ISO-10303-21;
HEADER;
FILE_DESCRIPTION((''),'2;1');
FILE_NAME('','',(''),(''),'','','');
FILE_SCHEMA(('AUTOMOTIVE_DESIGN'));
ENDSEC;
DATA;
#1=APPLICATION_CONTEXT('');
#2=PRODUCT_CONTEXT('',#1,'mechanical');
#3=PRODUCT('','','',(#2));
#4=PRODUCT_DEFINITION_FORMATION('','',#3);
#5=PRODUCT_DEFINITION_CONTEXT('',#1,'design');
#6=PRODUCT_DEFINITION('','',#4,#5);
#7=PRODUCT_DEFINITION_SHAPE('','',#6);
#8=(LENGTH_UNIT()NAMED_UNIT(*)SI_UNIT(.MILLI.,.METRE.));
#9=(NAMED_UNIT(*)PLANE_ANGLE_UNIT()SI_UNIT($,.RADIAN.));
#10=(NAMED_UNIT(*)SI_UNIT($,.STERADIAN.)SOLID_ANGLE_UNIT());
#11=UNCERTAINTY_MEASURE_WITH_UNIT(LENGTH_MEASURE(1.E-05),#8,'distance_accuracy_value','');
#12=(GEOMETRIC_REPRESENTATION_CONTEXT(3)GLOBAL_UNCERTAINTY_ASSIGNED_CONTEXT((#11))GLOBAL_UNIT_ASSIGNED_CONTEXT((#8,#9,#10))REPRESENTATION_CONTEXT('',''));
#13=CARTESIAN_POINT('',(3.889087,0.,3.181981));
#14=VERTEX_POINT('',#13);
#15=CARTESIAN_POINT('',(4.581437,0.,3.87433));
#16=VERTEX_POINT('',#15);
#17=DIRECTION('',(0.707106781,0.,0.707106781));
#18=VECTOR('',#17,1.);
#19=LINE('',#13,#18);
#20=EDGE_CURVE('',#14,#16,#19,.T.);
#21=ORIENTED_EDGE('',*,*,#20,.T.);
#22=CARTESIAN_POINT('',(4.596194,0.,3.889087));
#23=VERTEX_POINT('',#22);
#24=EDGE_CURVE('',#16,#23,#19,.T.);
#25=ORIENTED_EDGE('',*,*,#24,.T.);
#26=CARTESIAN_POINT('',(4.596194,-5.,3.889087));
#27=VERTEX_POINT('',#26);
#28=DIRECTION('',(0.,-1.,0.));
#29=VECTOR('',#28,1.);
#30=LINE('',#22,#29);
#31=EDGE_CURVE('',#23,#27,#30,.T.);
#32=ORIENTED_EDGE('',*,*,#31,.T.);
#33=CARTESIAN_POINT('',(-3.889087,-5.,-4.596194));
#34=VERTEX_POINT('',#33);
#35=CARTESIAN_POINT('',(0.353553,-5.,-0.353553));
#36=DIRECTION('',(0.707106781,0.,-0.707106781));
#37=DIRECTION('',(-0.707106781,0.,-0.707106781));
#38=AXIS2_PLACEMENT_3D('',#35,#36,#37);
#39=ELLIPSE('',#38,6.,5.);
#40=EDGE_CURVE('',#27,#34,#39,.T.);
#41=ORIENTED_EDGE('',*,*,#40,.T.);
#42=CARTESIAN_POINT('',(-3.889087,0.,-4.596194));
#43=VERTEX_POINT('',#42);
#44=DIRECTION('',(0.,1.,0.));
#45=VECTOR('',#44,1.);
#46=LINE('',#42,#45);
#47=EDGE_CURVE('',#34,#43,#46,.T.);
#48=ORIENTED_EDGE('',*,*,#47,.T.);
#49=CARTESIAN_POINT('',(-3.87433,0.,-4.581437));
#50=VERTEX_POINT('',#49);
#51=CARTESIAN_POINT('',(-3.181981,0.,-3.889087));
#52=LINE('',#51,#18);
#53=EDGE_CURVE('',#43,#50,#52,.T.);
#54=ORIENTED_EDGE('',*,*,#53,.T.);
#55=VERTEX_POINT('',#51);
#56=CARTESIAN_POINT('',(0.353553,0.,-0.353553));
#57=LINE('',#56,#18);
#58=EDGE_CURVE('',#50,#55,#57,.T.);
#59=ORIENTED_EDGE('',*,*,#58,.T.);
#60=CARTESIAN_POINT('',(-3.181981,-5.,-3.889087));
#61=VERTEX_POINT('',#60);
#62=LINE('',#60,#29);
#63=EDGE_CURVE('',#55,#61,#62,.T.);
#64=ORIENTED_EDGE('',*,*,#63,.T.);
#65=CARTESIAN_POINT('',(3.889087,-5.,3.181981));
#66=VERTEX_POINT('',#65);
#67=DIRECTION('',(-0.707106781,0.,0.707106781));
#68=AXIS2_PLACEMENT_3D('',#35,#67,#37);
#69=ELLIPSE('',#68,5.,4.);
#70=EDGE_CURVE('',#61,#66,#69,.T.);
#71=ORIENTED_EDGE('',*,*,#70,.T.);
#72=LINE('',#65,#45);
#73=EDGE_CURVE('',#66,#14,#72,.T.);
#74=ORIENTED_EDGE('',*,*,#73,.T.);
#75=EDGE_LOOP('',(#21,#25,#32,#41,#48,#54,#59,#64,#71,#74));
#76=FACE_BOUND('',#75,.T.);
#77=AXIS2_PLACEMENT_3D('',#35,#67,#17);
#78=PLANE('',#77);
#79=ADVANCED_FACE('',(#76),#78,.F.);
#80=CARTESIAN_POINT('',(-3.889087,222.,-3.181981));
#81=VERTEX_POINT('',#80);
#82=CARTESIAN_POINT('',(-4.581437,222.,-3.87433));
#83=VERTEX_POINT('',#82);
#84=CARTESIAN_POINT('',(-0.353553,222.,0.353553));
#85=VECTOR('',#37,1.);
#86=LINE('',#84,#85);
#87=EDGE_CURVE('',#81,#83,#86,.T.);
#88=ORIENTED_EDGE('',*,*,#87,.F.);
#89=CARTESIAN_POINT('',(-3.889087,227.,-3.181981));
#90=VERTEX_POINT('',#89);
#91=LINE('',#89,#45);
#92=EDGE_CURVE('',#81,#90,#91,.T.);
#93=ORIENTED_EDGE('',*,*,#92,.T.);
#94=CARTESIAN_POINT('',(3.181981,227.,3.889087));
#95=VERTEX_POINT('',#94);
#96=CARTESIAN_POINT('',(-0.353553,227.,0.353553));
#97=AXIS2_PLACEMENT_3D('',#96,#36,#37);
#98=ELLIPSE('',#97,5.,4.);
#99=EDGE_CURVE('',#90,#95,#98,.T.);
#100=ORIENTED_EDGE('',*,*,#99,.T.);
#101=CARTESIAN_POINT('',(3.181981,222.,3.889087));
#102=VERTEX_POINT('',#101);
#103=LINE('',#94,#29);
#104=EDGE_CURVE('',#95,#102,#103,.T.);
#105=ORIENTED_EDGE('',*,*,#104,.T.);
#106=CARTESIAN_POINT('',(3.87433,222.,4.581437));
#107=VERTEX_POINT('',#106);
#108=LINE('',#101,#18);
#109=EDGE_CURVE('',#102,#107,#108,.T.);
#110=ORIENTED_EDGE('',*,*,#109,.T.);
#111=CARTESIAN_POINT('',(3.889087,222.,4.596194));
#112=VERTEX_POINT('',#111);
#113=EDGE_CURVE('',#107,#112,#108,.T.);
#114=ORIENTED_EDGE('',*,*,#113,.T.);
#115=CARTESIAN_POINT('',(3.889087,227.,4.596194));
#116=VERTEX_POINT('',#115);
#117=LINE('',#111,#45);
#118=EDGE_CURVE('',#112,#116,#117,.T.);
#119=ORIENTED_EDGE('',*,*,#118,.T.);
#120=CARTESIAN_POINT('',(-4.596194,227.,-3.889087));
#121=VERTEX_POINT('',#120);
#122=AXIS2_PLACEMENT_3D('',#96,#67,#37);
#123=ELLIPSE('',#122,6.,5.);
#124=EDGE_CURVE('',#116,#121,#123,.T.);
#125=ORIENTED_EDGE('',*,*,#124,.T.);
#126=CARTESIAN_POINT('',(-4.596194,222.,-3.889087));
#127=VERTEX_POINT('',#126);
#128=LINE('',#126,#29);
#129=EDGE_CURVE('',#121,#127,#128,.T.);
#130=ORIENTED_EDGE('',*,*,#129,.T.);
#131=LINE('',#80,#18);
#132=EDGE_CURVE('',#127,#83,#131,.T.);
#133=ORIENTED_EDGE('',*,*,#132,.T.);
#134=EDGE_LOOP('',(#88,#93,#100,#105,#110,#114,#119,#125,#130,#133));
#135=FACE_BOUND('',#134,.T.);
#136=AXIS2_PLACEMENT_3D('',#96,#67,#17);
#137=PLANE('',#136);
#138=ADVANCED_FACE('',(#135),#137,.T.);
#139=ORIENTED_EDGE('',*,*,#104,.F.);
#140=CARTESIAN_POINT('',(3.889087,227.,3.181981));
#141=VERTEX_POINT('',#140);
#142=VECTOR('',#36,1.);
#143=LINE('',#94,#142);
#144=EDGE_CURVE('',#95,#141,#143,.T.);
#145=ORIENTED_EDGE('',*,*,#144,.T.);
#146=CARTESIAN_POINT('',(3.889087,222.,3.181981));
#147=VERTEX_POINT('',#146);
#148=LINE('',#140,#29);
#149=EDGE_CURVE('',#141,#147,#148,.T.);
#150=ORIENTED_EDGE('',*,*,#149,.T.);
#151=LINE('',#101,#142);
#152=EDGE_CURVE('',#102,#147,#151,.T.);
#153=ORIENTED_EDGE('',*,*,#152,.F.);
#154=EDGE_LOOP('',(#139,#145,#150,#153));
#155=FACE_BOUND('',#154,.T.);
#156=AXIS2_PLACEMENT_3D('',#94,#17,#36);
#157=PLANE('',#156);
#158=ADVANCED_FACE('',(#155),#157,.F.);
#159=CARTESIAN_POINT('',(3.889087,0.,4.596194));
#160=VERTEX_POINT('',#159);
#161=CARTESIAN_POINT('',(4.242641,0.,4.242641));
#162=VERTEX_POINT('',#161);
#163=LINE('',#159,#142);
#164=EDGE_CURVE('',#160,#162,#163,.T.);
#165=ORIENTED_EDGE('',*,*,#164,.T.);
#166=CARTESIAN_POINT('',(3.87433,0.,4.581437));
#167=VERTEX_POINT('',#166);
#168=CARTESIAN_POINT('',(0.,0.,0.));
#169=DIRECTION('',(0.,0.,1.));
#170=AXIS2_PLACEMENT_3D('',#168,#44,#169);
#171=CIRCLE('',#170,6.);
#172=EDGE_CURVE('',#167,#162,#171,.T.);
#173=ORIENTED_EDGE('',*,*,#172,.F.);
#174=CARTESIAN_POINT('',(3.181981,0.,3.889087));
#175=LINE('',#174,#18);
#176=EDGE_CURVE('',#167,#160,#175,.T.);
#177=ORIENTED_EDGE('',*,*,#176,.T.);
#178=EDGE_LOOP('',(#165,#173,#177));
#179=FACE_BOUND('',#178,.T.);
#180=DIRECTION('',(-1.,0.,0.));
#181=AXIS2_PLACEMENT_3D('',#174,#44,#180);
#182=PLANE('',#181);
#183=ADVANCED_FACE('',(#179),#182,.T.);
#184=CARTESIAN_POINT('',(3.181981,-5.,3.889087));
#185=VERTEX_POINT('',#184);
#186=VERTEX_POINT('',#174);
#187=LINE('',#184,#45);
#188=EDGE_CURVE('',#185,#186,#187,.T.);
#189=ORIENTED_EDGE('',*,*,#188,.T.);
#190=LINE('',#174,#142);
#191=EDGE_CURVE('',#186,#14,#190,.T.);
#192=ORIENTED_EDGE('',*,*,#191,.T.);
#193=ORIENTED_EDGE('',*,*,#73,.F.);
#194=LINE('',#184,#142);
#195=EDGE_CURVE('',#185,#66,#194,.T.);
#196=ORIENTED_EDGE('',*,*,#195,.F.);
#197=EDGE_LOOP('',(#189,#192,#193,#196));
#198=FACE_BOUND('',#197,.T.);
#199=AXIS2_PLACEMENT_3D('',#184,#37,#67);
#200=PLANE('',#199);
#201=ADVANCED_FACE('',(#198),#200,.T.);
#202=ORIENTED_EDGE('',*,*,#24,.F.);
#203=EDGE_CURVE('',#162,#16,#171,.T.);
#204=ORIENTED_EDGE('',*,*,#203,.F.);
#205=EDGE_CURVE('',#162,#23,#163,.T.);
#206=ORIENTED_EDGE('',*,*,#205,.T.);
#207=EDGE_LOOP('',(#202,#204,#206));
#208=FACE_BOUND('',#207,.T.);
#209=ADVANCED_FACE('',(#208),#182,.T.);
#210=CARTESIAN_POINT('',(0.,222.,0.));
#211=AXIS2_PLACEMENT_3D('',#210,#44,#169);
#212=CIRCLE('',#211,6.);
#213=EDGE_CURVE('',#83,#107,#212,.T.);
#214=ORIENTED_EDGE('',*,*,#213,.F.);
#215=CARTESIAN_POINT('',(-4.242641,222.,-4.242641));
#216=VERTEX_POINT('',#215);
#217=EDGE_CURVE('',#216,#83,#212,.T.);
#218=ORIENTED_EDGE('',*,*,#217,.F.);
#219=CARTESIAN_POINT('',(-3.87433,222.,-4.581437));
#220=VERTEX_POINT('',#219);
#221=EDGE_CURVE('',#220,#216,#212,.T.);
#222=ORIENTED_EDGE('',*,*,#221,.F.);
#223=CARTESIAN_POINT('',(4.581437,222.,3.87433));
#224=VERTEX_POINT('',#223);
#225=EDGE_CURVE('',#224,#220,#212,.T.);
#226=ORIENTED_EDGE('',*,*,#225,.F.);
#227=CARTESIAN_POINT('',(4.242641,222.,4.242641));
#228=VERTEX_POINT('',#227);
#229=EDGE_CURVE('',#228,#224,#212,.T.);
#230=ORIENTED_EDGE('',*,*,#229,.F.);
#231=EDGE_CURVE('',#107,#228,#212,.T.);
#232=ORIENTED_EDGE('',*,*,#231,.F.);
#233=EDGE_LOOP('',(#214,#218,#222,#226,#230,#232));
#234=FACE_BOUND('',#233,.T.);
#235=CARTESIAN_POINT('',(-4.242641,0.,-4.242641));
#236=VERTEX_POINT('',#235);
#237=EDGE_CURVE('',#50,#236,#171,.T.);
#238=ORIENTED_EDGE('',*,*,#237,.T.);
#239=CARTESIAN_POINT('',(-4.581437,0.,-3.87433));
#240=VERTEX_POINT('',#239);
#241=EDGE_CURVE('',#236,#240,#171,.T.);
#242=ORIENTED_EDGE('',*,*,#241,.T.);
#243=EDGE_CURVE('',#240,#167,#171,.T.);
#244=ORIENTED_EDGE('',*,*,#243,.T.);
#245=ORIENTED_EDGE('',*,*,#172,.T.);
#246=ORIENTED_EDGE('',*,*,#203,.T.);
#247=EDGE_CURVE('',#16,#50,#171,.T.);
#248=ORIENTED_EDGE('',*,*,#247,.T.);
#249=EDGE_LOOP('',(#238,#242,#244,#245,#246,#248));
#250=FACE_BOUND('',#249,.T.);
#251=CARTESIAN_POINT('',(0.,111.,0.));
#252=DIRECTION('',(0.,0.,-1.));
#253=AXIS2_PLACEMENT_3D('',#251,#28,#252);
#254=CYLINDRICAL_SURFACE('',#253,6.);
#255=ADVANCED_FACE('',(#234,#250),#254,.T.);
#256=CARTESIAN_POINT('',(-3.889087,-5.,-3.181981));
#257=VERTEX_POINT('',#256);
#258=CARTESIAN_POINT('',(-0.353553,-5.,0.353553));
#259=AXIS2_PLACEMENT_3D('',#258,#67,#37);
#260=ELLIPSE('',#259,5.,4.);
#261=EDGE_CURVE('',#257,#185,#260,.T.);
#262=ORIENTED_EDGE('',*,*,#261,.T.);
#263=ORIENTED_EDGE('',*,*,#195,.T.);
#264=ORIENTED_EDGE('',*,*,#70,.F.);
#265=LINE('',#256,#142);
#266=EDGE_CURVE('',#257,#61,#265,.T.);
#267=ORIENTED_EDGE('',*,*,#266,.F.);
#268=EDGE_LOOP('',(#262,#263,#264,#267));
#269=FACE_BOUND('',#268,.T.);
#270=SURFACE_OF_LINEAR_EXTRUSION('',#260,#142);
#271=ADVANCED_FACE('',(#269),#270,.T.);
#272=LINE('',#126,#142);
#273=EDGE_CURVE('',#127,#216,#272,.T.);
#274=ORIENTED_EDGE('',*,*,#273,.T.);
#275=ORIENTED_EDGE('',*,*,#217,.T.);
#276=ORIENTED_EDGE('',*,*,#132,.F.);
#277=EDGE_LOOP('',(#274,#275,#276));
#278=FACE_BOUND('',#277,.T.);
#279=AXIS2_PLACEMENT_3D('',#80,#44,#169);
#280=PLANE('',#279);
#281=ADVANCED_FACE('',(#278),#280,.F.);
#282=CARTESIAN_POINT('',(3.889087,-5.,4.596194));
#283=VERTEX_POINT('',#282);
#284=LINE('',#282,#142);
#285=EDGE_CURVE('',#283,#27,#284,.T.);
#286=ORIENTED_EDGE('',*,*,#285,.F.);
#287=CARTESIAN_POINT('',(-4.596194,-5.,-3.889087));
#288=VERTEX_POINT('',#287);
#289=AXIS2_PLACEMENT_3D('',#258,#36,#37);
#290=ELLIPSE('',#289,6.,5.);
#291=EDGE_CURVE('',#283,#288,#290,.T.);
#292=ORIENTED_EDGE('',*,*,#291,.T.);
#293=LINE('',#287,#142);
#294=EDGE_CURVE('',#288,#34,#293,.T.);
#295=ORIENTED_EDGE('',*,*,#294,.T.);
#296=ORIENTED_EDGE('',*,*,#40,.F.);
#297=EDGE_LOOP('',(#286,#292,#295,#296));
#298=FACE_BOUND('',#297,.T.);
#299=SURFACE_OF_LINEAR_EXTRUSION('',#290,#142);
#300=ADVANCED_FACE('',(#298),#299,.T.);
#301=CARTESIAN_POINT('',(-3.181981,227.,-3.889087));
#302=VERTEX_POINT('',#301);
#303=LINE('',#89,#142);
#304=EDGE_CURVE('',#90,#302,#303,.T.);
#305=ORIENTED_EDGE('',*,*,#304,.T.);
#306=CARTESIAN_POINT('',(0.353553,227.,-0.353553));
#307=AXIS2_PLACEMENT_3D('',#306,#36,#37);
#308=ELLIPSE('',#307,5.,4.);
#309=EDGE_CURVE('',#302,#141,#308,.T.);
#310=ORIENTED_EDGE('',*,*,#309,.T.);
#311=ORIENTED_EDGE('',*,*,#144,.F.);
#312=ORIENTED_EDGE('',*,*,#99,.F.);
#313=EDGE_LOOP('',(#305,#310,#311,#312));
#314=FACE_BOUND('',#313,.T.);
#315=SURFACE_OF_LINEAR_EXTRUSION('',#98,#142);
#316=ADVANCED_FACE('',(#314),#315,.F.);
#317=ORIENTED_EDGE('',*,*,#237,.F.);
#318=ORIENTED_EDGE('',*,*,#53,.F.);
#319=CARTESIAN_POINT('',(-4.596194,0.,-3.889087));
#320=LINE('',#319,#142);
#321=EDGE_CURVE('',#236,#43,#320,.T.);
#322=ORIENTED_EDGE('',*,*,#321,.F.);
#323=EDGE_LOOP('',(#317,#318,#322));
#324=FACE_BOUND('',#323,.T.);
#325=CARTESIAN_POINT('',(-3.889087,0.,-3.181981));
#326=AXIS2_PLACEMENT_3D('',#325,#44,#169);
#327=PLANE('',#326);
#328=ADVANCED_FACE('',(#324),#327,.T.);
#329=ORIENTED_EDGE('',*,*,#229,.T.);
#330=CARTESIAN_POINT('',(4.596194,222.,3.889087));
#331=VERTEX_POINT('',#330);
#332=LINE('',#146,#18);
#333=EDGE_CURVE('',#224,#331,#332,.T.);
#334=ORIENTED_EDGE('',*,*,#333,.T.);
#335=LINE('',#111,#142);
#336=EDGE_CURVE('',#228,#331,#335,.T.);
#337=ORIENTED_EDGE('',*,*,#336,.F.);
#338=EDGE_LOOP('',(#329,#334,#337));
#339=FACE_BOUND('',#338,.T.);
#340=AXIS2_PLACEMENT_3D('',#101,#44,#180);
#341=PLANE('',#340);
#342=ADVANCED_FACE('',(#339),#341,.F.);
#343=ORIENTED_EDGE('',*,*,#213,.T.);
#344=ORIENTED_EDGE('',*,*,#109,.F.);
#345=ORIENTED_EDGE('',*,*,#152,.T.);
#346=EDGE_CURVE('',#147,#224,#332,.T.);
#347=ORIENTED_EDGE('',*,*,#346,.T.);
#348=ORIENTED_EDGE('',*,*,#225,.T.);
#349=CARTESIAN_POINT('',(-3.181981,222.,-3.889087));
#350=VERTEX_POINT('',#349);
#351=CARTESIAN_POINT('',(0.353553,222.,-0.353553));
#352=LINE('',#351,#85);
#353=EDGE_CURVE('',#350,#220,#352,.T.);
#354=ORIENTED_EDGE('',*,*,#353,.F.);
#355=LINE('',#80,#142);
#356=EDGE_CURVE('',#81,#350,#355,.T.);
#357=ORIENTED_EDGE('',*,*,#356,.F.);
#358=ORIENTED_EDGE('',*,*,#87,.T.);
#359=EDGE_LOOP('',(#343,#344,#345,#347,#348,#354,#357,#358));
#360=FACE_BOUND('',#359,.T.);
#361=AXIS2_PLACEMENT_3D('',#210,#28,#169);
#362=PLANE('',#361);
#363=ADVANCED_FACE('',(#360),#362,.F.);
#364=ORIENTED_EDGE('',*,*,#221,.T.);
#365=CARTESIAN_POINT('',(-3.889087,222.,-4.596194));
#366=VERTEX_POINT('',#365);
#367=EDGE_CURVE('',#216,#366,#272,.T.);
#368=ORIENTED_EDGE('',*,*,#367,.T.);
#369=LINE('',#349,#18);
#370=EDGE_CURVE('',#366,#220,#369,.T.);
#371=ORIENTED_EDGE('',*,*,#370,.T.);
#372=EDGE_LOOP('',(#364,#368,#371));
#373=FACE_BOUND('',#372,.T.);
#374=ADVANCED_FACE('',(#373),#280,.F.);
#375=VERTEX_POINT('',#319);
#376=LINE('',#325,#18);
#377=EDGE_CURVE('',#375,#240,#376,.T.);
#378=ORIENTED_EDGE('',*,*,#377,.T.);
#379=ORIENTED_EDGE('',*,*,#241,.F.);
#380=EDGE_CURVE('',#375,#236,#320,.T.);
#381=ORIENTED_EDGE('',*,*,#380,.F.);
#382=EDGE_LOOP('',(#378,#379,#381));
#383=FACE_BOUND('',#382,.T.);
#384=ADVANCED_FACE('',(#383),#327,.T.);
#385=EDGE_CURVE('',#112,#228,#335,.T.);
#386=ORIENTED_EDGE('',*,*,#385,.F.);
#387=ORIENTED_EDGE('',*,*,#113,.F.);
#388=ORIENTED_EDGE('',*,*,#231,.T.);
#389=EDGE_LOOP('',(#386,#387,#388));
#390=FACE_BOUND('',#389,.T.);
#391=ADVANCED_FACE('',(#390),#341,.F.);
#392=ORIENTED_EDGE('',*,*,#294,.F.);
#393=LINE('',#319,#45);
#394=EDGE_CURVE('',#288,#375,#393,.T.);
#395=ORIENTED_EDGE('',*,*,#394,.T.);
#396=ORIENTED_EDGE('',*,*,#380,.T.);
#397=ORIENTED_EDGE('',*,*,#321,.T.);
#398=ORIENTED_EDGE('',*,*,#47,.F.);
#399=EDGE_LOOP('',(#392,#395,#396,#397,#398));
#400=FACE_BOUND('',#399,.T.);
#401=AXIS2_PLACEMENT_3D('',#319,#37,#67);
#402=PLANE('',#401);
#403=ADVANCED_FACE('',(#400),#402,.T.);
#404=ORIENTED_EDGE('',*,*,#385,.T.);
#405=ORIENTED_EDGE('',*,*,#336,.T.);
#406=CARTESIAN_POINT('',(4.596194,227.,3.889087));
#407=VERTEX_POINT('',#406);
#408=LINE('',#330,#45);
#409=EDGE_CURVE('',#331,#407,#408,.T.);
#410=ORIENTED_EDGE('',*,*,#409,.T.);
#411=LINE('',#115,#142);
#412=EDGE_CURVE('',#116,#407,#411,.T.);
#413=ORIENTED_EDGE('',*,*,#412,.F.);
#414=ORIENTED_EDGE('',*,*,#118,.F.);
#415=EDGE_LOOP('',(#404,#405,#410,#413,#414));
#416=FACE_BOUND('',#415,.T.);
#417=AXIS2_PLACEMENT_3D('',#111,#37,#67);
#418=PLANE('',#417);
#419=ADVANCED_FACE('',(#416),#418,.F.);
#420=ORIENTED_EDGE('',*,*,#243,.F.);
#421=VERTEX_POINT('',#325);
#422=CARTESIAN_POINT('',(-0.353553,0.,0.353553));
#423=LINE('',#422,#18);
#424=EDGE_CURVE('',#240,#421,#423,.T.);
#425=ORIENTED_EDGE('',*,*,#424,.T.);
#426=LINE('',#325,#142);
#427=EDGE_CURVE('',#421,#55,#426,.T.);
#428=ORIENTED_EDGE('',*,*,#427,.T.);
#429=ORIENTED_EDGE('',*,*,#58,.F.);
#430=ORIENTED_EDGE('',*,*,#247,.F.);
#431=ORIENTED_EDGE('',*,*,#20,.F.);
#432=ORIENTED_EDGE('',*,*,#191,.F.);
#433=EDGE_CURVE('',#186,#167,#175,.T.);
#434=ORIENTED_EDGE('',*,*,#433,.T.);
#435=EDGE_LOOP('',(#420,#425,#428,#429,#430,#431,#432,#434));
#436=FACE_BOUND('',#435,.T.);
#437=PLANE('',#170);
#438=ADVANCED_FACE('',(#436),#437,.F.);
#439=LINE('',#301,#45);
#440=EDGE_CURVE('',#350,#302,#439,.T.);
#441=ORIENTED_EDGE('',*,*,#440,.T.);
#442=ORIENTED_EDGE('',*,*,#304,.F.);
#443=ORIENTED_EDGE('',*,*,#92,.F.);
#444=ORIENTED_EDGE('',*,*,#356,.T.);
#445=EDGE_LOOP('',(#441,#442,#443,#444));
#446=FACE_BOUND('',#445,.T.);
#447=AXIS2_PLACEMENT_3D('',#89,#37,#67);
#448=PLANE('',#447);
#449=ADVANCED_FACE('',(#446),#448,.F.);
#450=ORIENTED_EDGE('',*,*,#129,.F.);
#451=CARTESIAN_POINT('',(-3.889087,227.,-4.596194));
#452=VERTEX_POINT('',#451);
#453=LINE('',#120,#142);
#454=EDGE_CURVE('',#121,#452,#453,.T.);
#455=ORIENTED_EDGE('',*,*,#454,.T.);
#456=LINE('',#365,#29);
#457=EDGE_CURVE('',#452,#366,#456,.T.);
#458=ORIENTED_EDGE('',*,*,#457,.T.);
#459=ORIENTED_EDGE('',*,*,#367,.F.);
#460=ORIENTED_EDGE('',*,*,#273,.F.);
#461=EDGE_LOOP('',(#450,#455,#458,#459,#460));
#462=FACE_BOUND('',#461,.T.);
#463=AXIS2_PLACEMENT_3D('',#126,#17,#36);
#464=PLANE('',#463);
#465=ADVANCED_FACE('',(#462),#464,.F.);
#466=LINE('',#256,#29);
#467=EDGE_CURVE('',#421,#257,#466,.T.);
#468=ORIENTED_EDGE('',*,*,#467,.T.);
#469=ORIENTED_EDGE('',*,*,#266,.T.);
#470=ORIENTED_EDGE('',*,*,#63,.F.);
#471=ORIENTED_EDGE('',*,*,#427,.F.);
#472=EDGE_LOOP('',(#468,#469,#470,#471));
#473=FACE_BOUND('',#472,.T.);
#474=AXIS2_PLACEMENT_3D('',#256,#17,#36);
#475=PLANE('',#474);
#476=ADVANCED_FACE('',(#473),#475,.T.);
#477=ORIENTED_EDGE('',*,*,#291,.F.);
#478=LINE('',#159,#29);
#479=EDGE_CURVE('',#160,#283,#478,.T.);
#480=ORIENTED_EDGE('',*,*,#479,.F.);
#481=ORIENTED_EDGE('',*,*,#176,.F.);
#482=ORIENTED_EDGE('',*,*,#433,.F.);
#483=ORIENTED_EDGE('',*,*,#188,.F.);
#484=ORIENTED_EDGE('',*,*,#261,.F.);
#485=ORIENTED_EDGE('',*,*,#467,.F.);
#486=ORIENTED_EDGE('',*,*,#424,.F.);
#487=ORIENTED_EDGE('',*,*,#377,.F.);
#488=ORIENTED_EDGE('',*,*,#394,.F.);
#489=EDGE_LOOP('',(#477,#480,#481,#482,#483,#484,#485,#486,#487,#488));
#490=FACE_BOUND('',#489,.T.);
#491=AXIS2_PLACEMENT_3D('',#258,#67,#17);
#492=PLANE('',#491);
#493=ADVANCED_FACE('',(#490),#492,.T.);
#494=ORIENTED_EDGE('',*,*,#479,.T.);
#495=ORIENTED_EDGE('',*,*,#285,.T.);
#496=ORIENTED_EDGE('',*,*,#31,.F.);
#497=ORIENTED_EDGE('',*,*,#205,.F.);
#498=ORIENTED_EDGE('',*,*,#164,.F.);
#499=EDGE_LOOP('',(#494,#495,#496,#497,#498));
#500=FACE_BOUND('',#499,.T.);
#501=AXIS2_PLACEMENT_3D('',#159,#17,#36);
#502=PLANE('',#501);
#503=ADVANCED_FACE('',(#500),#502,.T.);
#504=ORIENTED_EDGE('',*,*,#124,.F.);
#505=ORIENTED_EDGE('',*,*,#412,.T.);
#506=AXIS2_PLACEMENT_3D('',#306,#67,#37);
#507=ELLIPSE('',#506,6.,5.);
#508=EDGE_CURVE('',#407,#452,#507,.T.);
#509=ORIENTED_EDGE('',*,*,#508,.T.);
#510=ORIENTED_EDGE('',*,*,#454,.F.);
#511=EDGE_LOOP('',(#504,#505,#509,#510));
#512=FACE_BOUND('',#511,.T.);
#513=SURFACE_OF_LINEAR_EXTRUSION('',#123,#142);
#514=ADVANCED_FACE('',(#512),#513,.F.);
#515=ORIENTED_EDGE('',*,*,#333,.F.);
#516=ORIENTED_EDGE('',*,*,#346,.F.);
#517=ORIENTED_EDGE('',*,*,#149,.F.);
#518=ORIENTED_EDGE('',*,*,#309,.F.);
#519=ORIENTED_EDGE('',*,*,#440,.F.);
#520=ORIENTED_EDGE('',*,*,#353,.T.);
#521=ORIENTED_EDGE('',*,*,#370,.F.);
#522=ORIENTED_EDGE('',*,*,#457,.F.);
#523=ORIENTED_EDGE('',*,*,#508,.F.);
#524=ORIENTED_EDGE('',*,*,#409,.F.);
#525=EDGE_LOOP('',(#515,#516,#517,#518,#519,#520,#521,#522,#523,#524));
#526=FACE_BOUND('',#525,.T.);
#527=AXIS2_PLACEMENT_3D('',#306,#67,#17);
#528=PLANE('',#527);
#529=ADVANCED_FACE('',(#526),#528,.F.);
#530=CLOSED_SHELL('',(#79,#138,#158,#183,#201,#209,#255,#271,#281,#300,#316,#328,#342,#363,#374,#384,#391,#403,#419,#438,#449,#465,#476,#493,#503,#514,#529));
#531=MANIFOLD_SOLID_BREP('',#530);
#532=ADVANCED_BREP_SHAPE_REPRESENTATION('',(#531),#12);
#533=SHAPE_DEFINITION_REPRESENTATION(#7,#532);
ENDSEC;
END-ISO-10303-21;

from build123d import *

# Parameters (mm, degrees)
SKETCH1_R           = 6
BOSS_EXTRUDE2_DEPTH = 111
BOSS_EXTRUDE4_DEPTH = 0.5


with BuildPart() as part:
    # Sketch1 → Boss-Extrude2 (new body)
    with BuildSketch(Plane(origin=(0, 0, 0), x_dir=(1, 0, 0), z_dir=(0, 1, 0))):
        Circle(SKETCH1_R)
    boss_extrude2 = extrude(amount=BOSS_EXTRUDE2_DEPTH)

    # Sketch4 → Boss-Extrude4 (add, symmetric)
    with BuildSketch(Plane(origin=(0, 0, 0), x_dir=(-0.7071067811865477, 0, -0.7071067811865475), z_dir=(0.7071067811865475, 0, -0.7071067811865477))):
        with BuildLine():
            Line((5, -5), (5, 0))
            Line((5, 0), (6, 0))
            Line((6, 0), (6, -5))
            add(Edge.make_bspline(
                [(-6, -5), (-6, -10), (0, -10), (6, -10), (6, -5)],
                knots=[3.141592654, 3.141592654, 3.141592654, 4.71238898, 4.71238898, 6.283185307, 6.283185307, 6.283185307], degree=2, weights=[1, 0.707106781, 1, 0.707106781, 1]))
            Line((-6, -5), (-6, 0))
            Line((-6, 0), (-5, 0))
            Line((-5, 0), (-5, -5))
            add(Edge.make_bspline(
                [(-5, -5), (-5, -9), (0, -9), (5, -9), (5, -5)],
                knots=[3.141592654, 3.141592654, 3.141592654, 4.71238898, 4.71238898, 6.283185307, 6.283185307, 6.283185307], degree=2, weights=[1, 0.707106781, 1, 0.707106781, 1]))
        make_face()
    boss_extrude4 = extrude(amount=BOSS_EXTRUDE4_DEPTH, both=True)

    # Mirror1: Boss-Extrude2, Boss-Extrude4 across plane
    add(boss_extrude2.mirror(Plane.ZX.offset(111)))
    add(boss_extrude4.mirror(Plane.ZX.offset(111)))


solid = part.part
